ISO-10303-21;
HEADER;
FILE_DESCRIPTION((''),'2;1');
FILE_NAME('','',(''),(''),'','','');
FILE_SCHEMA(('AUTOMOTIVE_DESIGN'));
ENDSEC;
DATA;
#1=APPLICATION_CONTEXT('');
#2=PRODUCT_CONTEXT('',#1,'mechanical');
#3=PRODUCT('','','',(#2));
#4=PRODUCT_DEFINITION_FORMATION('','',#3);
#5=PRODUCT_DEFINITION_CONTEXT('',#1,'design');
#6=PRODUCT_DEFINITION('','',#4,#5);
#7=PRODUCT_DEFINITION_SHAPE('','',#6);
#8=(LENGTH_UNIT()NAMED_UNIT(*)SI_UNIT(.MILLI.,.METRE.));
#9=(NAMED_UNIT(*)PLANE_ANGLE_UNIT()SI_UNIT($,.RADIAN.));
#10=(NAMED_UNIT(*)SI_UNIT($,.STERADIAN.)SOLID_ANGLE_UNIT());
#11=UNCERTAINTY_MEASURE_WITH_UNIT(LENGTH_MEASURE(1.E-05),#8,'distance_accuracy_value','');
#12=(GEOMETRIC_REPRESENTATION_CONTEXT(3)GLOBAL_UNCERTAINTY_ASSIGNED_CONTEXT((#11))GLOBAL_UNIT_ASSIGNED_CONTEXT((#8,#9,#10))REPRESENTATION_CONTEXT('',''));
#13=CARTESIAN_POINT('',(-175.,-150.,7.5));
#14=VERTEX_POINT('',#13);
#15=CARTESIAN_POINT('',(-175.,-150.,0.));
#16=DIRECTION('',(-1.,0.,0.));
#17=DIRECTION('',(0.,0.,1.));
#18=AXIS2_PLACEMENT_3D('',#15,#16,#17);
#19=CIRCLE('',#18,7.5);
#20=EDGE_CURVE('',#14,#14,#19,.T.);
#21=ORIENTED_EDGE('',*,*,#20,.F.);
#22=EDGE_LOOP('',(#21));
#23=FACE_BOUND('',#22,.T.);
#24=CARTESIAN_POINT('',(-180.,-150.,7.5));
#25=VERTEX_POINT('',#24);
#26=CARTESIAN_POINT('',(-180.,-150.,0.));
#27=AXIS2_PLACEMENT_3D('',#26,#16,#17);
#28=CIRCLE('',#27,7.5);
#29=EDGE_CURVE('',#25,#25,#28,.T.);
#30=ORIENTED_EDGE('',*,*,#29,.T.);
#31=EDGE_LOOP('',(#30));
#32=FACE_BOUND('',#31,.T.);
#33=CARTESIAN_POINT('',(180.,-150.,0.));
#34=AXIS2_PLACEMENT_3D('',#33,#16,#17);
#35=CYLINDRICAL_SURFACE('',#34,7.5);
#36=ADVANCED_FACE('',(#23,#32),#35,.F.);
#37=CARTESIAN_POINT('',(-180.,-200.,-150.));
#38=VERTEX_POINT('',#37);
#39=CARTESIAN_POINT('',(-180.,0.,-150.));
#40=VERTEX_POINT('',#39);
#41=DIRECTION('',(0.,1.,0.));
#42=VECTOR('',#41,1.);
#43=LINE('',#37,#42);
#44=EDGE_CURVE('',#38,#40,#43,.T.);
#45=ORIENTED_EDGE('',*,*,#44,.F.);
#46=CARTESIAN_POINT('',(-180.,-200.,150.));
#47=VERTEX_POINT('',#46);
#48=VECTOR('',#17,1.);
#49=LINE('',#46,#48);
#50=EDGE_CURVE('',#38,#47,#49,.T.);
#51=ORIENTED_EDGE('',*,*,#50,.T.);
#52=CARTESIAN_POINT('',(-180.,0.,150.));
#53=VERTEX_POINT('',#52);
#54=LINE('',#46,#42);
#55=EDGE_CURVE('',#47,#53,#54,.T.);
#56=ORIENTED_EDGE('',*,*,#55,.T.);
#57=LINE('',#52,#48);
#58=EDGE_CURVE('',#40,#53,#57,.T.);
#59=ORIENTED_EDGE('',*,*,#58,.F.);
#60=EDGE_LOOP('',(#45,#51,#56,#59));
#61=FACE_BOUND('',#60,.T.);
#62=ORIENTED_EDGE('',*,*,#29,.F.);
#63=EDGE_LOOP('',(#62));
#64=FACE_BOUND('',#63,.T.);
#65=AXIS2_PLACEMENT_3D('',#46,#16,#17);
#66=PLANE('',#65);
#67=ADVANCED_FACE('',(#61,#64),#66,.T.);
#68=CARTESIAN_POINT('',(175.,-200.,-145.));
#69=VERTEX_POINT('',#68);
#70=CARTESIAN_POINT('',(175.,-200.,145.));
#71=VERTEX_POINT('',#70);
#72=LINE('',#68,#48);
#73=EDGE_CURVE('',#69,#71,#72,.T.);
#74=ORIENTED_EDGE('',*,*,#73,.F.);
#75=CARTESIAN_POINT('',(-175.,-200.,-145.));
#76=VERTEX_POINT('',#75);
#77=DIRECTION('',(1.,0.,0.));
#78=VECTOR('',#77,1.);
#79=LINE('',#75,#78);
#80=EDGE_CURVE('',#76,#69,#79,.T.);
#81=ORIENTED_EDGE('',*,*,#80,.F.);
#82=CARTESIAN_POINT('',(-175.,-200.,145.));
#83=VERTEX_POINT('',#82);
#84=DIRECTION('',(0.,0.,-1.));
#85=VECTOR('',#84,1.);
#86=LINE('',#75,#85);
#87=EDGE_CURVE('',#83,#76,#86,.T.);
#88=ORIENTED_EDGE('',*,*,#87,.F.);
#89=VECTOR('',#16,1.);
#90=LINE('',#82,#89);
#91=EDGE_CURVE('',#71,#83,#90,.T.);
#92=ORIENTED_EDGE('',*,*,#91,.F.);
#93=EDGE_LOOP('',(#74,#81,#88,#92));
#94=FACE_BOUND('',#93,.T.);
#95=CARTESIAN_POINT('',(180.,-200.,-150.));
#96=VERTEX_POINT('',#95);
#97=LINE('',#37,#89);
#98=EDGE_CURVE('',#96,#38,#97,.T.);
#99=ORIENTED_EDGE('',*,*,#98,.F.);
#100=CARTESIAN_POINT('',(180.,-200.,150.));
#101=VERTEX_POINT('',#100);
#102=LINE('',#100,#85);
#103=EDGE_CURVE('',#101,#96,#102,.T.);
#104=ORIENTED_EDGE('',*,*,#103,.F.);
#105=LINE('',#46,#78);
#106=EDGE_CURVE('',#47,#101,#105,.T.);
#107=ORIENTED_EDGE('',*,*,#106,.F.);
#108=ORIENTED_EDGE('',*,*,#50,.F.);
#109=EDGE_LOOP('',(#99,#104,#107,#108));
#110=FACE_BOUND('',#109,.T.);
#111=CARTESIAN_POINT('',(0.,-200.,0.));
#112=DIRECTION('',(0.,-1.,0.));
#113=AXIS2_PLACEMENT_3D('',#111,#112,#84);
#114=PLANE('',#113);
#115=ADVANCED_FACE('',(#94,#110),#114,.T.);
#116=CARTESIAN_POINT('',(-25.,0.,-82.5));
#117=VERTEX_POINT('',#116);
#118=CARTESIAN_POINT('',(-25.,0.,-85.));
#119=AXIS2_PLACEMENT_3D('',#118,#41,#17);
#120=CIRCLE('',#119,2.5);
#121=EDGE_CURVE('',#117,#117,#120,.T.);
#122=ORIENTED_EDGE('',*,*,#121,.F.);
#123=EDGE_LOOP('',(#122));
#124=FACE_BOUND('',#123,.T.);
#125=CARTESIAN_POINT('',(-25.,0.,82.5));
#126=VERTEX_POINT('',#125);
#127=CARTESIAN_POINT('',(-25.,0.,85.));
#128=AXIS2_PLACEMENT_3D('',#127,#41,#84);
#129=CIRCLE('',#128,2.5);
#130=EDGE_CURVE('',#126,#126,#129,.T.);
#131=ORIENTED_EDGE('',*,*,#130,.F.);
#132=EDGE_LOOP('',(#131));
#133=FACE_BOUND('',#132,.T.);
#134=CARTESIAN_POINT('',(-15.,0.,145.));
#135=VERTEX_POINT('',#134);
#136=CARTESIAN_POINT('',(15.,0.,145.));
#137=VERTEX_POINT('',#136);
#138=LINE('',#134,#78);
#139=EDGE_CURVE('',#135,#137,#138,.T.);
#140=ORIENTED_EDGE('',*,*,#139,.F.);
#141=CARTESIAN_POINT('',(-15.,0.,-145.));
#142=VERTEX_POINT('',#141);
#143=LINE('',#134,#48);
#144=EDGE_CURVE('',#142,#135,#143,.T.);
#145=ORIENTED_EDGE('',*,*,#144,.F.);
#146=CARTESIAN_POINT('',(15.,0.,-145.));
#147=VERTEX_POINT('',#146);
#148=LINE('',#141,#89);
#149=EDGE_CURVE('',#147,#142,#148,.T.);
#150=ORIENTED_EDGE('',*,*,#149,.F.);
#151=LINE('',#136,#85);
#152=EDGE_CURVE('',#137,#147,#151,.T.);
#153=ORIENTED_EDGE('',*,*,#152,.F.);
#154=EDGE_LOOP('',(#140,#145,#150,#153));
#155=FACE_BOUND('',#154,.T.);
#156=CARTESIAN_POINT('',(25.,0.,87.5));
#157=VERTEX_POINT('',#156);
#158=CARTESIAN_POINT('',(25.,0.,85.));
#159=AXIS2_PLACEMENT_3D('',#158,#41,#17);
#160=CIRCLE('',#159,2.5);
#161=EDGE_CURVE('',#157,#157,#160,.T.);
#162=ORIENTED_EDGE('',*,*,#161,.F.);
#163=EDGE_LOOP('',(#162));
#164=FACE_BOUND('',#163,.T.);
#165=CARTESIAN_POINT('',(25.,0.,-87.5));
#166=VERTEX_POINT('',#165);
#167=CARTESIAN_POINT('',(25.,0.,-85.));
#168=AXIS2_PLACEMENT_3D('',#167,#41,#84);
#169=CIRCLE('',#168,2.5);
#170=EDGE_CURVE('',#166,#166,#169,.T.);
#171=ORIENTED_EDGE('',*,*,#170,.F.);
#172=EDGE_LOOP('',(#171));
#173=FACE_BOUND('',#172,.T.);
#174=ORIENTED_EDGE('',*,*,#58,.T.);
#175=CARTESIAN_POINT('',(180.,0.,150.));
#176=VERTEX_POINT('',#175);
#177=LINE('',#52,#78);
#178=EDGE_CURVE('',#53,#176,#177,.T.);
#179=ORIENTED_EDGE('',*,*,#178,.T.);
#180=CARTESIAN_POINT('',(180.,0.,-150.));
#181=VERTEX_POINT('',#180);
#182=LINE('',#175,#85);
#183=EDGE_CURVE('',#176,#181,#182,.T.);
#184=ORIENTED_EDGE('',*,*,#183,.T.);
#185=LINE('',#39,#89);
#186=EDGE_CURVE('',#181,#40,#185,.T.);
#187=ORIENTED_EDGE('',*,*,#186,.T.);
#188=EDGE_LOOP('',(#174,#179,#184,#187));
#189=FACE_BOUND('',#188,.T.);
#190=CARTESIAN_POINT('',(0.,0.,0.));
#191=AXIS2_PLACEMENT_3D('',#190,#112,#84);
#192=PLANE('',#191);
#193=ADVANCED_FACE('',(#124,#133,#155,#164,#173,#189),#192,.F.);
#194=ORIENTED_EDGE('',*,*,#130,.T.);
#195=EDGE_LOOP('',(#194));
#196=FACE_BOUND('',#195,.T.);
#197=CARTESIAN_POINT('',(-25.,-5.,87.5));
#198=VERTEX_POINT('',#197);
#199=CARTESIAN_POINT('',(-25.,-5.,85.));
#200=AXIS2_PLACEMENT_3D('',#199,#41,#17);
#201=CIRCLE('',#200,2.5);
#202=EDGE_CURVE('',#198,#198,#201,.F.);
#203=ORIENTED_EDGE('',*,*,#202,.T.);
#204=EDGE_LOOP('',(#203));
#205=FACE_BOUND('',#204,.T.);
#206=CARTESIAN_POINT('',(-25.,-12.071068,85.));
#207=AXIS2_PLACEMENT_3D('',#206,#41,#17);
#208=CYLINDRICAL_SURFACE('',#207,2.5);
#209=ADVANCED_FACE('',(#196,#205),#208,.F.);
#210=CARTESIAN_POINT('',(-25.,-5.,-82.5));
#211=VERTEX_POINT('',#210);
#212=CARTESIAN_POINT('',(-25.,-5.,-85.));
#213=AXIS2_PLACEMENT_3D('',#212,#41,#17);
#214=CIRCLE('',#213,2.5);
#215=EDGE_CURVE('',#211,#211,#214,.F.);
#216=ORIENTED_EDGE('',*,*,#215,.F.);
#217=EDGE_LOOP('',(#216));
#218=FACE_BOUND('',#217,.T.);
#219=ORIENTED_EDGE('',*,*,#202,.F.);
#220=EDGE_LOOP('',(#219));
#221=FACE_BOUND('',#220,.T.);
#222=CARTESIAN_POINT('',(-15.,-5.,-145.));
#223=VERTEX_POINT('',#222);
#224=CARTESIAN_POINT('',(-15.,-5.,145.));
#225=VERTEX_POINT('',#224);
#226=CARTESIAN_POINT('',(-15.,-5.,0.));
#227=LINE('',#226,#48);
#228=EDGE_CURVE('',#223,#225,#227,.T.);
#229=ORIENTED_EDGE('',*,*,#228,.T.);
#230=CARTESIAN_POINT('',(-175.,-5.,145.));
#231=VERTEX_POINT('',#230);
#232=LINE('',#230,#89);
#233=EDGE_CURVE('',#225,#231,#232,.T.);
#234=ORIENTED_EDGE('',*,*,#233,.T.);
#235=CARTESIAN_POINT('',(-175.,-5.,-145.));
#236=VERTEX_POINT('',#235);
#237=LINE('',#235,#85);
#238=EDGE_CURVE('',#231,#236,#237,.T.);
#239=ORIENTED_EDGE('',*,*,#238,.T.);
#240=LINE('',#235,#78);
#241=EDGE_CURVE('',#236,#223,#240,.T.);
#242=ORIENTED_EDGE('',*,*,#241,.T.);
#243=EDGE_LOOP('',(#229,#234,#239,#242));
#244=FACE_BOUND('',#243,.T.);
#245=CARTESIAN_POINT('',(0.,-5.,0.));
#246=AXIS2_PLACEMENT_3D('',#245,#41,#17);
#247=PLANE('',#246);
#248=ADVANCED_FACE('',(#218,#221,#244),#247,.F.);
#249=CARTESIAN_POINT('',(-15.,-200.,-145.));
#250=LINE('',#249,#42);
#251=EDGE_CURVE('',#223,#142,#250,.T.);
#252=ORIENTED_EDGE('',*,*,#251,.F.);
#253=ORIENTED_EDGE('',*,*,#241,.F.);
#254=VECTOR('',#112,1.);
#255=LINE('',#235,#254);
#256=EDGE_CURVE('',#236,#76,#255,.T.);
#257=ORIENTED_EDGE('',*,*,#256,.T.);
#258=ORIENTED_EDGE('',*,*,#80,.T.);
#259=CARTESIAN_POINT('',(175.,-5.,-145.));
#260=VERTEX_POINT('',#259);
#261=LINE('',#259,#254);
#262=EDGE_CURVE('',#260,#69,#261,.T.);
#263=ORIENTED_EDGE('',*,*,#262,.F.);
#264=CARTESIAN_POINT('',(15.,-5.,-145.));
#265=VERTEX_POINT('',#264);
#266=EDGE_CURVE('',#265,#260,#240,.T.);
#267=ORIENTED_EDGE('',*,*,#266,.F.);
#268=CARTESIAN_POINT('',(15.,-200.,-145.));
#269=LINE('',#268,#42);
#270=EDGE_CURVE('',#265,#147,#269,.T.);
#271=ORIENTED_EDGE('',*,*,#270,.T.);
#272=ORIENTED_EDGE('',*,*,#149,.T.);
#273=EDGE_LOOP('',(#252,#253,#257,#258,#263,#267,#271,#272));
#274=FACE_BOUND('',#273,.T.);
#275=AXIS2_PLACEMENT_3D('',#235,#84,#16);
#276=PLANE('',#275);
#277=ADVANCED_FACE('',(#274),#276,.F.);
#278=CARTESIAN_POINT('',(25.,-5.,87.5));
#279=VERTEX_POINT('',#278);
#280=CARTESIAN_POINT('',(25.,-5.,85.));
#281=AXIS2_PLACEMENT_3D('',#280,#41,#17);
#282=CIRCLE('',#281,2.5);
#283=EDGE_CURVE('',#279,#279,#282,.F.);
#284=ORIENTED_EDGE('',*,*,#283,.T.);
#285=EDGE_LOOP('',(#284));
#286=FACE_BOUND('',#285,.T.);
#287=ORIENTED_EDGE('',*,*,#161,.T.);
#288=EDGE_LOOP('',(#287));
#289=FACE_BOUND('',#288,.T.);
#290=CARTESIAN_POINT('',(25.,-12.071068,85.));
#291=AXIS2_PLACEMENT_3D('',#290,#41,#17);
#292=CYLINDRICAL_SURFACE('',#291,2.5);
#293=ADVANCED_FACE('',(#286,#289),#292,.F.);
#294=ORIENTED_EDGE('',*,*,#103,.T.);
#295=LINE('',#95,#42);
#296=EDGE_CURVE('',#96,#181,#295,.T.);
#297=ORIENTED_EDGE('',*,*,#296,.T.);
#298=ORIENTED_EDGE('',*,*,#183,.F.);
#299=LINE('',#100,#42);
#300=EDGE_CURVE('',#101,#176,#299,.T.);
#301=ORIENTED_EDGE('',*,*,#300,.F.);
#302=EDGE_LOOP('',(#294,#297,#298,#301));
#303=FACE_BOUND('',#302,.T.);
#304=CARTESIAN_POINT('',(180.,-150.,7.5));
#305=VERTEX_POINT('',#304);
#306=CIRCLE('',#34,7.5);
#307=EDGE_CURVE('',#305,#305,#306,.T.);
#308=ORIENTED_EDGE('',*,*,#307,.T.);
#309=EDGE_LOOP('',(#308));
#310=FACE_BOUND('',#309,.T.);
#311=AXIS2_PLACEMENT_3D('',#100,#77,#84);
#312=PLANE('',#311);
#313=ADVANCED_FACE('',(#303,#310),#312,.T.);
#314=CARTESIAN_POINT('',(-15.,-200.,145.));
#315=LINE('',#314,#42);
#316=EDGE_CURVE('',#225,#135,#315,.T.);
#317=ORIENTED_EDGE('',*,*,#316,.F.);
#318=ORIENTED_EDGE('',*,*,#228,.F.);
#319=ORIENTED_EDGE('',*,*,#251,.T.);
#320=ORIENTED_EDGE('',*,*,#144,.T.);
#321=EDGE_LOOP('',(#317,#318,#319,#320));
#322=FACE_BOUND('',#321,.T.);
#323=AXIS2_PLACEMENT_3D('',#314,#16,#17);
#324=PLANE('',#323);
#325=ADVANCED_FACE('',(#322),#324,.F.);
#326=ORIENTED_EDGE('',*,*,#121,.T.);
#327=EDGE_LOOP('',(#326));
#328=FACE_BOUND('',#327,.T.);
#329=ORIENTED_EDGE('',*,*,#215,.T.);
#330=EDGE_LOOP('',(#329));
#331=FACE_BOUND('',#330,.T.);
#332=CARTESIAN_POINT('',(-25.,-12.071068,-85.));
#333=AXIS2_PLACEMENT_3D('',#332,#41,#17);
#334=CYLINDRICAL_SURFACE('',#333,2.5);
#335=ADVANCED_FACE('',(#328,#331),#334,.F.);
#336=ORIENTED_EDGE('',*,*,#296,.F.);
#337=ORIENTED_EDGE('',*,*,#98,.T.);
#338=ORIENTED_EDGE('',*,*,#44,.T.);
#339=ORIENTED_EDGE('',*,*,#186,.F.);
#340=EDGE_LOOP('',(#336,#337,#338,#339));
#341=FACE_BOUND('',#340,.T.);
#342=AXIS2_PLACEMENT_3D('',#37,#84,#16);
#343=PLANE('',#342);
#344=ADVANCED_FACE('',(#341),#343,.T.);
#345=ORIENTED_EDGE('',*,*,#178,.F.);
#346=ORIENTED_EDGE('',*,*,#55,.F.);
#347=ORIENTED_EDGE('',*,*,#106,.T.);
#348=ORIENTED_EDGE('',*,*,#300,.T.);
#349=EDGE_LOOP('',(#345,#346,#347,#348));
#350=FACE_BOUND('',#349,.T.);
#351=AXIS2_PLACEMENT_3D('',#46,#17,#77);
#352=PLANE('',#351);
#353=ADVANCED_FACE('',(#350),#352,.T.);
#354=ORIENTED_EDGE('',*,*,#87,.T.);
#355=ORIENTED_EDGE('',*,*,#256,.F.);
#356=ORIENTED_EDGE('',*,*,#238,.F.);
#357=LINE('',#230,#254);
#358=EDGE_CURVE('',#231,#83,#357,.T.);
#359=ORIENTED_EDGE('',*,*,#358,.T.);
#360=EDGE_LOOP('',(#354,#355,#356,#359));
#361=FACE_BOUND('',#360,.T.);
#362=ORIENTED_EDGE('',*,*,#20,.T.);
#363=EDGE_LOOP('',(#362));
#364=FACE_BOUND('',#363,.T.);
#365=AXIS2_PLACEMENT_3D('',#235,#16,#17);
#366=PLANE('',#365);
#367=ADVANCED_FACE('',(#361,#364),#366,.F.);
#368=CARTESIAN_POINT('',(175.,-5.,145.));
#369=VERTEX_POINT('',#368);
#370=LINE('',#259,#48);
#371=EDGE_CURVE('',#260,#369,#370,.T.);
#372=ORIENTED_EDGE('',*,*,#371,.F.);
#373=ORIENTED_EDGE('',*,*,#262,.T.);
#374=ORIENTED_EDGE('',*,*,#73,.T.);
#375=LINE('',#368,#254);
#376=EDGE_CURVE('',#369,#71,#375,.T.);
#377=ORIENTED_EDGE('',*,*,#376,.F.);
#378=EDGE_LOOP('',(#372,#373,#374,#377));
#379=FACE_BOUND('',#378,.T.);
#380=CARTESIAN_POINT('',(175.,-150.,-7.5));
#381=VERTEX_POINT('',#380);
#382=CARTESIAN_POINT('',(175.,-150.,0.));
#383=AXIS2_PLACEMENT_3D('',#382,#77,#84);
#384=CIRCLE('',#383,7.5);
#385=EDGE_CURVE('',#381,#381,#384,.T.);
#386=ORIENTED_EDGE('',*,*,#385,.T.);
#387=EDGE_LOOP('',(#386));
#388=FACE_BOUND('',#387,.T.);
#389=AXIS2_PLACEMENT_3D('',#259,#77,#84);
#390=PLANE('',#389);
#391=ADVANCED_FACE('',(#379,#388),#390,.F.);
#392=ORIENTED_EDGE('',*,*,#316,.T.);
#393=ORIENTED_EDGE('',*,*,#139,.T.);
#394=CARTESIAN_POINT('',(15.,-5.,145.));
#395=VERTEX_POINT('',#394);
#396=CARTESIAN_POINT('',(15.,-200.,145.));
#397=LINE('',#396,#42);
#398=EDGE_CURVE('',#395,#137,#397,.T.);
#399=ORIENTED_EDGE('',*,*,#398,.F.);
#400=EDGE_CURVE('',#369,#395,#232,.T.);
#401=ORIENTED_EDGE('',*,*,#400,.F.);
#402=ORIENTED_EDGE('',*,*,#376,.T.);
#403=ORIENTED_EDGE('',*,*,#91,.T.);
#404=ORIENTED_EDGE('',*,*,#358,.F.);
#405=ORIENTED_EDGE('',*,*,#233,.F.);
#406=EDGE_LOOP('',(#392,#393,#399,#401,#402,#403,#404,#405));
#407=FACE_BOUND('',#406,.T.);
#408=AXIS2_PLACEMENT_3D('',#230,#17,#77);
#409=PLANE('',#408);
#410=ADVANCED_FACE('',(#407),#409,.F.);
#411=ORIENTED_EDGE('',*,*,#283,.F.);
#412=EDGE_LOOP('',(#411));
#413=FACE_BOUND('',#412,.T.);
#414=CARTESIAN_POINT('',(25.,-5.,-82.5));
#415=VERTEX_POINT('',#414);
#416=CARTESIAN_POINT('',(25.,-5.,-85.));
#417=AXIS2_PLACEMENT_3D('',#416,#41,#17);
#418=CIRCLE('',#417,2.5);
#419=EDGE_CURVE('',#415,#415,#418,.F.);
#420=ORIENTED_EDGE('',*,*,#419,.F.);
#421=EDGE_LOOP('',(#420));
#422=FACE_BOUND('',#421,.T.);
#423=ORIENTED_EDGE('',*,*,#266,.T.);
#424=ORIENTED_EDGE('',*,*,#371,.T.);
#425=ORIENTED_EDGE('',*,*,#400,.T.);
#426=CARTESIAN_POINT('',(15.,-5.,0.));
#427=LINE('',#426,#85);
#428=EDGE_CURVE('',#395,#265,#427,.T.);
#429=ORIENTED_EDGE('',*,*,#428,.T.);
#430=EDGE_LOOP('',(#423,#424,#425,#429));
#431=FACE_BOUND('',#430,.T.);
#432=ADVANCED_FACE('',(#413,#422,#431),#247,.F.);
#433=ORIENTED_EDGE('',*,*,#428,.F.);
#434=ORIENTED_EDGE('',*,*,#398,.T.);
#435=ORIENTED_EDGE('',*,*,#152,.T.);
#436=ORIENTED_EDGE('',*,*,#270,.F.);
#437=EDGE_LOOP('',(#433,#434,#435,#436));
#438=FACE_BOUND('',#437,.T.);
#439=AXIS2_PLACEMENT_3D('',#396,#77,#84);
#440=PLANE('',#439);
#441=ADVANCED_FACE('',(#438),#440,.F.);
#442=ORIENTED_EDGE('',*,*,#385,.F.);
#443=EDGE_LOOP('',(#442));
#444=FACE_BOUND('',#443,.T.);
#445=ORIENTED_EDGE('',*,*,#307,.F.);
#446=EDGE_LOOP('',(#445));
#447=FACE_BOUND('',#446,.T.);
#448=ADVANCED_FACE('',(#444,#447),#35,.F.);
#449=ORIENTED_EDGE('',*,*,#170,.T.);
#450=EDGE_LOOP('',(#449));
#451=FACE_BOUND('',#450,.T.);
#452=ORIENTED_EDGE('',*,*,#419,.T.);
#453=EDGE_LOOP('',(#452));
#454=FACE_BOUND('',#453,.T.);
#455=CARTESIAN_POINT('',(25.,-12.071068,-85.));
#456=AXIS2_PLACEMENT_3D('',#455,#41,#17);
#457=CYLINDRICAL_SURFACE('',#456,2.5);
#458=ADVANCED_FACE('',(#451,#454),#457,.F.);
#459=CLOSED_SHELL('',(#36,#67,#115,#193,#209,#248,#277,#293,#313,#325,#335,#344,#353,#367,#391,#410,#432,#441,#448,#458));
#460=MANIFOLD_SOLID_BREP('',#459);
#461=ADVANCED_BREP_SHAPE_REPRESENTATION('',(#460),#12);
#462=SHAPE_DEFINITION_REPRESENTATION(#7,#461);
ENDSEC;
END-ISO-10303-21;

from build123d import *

# Parameters (mm, degrees)
SKETCH1_W           = 360
SKETCH1_H           = 300
BOSS_EXTRUDE1_DEPTH = 200
SKETCH2_W           = 350
SKETCH2_H           = 290
CUT_EXTRUDE1_DEPTH  = 195
SKETCH3_W           = 30
SKETCH3_H           = 290
CUT_EXTRUDE2_DEPTH  = 309.058436015
SKETCH4_R           = 7.5
CUT_EXTRUDE3_DEPTH  = 439.292140016
SKETCH5_R           = 2.5
CUT_EXTRUDE4_DEPTH  = 5


with BuildPart() as part:
    # Sketch1 → Boss-Extrude1 (new body)
    with BuildSketch(Plane(origin=(0, 0, 0), x_dir=(1, 0, 0), z_dir=(0, 1, 0))):
        Rectangle(SKETCH1_W, SKETCH1_H)
    extrude(amount=-BOSS_EXTRUDE1_DEPTH)

    # Sketch2 → Cut-Extrude1 (cut)
    with BuildSketch(Plane.XZ.offset(200)):
        Rectangle(SKETCH2_W, SKETCH2_H)
    extrude(amount=-CUT_EXTRUDE1_DEPTH, mode=Mode.SUBTRACT)

    # Sketch3 → Cut-Extrude2 (cut, through all)
    with BuildSketch(Plane(origin=(0, 0, 0), x_dir=(1, 0, 0), z_dir=(0, 1, 0))):
        Rectangle(SKETCH3_W, SKETCH3_H)
    extrude(amount=-CUT_EXTRUDE2_DEPTH, mode=Mode.SUBTRACT)

    # Sketch4 → Cut-Extrude3 (cut, through all)
    with BuildSketch(Plane.ZY.offset(180)):
        with Locations((0, -150)):
            Circle(SKETCH4_R)
    extrude(amount=-CUT_EXTRUDE3_DEPTH, mode=Mode.SUBTRACT)

    # Sketch5 → Cut-Extrude4 (cut)
    with BuildSketch(Plane(origin=(0, 0, 0), x_dir=(1, 0, 0), z_dir=(0, 1, 0))):
        with Locations(Location((-25, 85, 0), (0, 0, 270))):
            Circle(SKETCH5_R)
        with Locations(Location((25, 85, 0), (0, 0, 270))):
            Circle(SKETCH5_R)
        with Locations(Location((25, -85, 0), (0, 0, 270))):
            Circle(SKETCH5_R)
        with Locations(Location((-25, -85, 0), (0, 0, 270))):
            Circle(SKETCH5_R)
    extrude(amount=-CUT_EXTRUDE4_DEPTH, mode=Mode.SUBTRACT)


solid = part.part
